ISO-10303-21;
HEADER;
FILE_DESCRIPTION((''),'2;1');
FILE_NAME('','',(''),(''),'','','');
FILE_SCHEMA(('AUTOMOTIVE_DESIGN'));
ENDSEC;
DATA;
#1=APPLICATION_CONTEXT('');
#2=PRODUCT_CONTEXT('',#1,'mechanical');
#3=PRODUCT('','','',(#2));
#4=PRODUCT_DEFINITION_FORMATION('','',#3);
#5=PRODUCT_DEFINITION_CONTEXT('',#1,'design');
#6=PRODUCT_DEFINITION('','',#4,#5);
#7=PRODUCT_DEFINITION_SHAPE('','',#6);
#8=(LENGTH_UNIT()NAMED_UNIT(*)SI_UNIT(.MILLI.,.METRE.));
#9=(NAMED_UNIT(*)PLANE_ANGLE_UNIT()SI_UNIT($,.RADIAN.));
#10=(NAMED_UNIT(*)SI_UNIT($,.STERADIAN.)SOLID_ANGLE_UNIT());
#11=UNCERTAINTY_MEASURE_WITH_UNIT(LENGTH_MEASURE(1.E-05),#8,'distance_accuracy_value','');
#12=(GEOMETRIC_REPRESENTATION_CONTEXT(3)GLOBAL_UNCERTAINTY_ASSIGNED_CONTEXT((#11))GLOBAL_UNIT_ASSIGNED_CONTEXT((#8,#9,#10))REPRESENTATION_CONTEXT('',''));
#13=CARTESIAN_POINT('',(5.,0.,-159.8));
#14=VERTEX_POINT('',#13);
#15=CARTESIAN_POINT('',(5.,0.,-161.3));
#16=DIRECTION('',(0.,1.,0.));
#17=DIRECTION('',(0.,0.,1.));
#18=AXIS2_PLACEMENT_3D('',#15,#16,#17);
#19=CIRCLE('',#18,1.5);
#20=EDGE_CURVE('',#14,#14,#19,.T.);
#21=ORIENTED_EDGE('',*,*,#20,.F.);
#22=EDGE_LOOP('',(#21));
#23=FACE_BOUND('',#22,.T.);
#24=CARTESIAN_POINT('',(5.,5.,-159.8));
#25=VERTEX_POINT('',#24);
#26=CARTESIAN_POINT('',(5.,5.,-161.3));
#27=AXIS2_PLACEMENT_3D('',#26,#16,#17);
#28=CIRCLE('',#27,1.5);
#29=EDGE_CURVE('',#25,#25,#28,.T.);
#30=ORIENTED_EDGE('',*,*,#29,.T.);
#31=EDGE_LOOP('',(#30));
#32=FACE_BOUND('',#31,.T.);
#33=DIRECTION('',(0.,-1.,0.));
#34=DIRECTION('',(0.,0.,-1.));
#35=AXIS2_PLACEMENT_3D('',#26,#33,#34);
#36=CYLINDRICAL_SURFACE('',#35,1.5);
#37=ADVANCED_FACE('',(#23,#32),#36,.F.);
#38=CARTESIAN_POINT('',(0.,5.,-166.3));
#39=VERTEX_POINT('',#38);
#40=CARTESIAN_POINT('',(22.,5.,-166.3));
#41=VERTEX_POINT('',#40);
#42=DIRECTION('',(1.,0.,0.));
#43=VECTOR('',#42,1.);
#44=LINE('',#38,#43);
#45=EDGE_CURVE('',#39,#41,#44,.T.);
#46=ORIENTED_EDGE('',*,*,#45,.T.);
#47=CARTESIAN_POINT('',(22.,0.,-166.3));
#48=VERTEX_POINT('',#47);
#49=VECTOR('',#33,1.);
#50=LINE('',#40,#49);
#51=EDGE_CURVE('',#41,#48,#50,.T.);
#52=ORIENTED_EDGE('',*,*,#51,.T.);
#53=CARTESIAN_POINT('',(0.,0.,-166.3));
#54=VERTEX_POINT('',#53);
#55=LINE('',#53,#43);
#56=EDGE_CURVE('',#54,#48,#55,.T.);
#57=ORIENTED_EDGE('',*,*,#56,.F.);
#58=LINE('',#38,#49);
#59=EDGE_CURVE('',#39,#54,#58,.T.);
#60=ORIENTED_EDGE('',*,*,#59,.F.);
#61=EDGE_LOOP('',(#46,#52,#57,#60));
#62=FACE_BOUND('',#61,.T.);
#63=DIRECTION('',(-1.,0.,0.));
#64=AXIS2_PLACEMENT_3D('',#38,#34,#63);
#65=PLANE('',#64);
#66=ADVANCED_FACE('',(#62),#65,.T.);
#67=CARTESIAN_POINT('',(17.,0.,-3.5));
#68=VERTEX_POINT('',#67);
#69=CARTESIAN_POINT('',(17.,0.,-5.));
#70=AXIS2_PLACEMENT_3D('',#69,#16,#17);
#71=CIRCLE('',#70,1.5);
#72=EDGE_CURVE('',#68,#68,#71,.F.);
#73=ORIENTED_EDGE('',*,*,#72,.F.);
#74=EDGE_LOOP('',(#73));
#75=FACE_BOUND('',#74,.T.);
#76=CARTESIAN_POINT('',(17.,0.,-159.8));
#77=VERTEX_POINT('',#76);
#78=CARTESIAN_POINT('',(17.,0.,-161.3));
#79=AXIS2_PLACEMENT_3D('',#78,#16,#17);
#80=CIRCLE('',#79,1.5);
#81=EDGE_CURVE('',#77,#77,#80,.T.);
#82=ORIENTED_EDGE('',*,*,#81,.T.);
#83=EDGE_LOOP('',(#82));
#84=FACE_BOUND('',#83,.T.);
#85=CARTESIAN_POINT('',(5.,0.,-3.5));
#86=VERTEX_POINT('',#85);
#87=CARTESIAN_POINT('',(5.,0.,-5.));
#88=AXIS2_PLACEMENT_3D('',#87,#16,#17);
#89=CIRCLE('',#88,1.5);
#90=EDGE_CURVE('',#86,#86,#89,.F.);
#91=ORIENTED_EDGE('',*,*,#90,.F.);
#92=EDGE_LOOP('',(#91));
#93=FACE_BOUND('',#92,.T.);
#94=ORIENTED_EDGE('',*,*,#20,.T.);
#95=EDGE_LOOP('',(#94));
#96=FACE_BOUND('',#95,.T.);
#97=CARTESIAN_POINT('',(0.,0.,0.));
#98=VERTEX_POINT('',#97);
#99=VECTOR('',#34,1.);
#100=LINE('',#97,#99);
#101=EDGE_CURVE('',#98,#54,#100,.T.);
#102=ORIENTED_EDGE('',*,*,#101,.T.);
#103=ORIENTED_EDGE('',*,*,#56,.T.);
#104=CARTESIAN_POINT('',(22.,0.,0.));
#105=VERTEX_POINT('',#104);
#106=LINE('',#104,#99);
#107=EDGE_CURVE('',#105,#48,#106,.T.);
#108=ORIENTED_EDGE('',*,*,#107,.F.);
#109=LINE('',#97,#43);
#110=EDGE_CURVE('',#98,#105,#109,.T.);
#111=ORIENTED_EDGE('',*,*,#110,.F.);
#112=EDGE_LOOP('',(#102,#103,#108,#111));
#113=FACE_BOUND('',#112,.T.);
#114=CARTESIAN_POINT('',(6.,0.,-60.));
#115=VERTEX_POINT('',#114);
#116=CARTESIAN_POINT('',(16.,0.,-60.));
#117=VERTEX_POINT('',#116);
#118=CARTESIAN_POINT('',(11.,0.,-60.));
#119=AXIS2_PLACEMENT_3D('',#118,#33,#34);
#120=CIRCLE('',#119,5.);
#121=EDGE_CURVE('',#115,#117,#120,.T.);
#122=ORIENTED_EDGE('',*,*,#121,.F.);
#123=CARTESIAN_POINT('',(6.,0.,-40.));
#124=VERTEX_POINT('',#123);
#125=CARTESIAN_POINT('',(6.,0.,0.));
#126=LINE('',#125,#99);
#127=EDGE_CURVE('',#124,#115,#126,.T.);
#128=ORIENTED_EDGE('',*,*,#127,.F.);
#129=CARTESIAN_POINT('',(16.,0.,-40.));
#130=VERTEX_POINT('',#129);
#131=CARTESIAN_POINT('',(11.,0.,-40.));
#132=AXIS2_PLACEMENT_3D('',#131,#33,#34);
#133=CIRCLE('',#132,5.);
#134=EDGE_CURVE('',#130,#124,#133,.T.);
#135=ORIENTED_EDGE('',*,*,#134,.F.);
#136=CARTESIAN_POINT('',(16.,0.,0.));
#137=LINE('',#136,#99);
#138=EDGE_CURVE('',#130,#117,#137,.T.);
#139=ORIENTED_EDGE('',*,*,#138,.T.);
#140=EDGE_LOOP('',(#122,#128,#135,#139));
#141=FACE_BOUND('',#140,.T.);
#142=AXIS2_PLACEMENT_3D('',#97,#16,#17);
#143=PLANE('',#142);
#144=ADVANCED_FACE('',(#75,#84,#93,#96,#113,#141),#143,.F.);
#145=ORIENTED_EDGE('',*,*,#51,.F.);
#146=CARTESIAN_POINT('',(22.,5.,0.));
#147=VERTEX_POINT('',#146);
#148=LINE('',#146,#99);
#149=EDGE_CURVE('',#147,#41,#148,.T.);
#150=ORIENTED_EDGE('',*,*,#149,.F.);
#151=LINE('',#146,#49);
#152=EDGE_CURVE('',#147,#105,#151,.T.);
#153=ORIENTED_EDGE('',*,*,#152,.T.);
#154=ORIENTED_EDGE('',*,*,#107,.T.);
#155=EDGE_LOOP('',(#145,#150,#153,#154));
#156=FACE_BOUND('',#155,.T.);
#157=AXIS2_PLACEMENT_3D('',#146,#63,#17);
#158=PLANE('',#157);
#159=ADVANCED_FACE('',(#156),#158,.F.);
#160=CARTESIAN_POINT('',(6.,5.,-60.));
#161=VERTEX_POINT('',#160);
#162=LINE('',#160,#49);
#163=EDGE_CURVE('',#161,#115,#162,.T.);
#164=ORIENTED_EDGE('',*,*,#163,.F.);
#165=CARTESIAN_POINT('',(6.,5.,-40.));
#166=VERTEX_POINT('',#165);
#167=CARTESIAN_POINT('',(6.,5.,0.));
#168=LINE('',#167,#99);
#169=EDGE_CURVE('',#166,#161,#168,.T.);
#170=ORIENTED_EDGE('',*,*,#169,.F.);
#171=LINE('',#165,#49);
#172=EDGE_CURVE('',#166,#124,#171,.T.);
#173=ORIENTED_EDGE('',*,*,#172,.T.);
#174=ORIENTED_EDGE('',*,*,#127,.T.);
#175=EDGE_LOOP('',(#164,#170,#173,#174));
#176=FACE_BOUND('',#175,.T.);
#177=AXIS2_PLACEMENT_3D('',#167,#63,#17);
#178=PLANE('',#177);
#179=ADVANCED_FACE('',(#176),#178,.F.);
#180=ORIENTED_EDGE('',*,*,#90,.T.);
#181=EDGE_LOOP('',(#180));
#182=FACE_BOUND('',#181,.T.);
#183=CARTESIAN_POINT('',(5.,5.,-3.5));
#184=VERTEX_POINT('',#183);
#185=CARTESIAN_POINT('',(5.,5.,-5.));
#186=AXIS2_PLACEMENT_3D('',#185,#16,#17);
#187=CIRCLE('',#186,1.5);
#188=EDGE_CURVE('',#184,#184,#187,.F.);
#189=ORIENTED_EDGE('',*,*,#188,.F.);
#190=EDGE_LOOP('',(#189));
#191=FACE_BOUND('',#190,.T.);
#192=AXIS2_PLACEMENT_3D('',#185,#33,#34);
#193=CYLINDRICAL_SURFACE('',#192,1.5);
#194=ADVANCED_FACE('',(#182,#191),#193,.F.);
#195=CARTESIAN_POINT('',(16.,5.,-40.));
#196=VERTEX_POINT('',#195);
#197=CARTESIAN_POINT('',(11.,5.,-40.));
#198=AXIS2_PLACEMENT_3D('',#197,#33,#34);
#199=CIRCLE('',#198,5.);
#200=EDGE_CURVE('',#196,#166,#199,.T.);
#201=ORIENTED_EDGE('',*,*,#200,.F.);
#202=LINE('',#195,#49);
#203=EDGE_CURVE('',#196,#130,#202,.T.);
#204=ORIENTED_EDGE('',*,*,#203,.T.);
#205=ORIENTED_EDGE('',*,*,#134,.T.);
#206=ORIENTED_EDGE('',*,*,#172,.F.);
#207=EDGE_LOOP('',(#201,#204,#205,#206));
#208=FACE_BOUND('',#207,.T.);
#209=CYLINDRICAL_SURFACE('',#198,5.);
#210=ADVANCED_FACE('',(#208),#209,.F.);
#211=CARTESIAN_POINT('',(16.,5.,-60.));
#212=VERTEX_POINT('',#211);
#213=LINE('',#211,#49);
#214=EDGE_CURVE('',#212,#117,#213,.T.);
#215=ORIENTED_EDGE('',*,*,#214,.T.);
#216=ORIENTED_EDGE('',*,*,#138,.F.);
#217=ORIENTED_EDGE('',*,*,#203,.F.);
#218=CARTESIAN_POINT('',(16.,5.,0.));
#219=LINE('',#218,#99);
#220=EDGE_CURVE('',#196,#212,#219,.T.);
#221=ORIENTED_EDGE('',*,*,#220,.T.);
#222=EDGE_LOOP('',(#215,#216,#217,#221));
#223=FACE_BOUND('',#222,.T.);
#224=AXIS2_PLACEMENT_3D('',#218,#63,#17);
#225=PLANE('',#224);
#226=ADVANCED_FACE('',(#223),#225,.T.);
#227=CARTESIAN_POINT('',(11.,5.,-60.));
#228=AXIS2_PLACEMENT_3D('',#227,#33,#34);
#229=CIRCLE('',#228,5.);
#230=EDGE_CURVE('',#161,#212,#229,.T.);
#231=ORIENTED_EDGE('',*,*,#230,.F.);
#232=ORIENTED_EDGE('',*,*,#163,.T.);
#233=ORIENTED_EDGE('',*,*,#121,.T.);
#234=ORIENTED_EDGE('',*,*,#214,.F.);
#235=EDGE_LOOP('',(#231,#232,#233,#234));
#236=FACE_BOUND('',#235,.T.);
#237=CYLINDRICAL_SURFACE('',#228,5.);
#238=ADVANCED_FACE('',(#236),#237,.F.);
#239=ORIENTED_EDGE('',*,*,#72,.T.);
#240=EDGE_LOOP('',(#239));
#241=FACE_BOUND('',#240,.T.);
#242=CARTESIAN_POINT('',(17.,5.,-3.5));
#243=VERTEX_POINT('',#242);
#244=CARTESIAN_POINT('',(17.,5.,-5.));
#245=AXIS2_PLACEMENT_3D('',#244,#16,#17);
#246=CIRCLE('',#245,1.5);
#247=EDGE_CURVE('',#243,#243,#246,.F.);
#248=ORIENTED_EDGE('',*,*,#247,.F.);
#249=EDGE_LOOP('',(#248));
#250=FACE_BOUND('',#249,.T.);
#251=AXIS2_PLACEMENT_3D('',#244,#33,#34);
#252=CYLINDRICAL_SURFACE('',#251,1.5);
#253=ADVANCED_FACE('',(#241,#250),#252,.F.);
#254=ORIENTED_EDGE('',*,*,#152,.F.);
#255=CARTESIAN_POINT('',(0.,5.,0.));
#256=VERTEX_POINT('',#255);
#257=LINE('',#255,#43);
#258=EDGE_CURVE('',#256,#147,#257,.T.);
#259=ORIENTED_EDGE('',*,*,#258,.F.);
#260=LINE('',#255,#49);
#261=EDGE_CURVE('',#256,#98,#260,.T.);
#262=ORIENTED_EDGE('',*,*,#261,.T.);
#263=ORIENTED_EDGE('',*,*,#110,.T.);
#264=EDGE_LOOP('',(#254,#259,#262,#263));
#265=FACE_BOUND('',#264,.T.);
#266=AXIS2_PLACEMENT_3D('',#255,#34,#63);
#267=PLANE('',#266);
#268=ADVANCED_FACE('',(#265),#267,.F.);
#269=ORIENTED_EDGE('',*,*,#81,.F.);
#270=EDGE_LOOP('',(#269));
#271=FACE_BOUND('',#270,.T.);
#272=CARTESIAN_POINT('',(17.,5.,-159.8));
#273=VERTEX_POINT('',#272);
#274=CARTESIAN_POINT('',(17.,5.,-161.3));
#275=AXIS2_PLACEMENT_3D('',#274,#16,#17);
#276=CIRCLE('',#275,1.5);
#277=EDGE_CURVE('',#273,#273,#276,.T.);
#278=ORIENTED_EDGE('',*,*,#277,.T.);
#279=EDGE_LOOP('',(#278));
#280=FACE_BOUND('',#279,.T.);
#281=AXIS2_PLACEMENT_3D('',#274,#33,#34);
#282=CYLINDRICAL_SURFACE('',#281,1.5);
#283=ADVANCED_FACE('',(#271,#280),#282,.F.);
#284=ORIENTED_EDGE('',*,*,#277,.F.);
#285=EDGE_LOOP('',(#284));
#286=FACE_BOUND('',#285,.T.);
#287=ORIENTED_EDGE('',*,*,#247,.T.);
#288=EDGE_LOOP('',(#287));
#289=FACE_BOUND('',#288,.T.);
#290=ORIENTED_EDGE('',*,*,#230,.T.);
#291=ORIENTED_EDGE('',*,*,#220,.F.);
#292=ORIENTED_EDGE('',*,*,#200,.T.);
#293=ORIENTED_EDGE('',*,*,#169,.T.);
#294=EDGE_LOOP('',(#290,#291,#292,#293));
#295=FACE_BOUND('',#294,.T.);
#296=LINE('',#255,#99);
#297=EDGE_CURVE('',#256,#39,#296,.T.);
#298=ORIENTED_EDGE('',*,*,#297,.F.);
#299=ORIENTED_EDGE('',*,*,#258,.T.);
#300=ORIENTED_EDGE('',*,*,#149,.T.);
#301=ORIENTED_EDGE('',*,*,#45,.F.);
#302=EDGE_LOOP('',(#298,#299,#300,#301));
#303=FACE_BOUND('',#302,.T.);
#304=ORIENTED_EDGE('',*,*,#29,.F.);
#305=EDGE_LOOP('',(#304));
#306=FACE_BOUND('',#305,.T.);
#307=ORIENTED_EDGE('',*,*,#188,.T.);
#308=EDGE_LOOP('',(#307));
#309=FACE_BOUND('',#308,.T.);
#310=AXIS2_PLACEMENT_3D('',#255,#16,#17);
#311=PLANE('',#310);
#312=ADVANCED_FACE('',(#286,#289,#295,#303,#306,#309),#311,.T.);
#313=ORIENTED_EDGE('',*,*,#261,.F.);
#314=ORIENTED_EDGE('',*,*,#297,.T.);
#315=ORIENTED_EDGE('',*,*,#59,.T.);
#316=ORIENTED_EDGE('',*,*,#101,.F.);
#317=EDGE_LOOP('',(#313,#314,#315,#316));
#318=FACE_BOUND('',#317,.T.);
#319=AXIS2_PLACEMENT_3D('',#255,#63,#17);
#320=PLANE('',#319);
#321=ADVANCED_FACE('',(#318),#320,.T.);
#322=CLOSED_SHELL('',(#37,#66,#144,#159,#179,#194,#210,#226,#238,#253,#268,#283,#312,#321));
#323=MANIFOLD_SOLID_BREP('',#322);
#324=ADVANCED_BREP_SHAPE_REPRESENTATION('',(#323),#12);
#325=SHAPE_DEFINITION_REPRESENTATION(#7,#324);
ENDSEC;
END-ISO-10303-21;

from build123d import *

# Parameters (mm, degrees)
SKETCH1_W           = 22
SKETCH1_H           = 166.3
SKETCH1_R           = 1.5
BOSS_EXTRUDE1_DEPTH = 5
CUT_EXTRUDE1_DEPTH  = 5


with BuildPart() as part:
    # Sketch1 → Boss-Extrude1 (new body)
    with BuildSketch(Plane(origin=(0, 0, 0), x_dir=(1, 0, 0), z_dir=(0, 1, 0))):
        with Locations((11, 83.15)):
            Rectangle(SKETCH1_W, SKETCH1_H)
        with Locations(Location((5, 161.3, 0), (0, 0, 270))):
            Circle(SKETCH1_R, mode=Mode.SUBTRACT)
        with Locations(Location((17, 161.3, 0), (0, 0, 270))):
            Circle(SKETCH1_R, mode=Mode.SUBTRACT)
        with Locations(Location((17, 5, 0), (0, 0, 270))):
            Circle(SKETCH1_R, mode=Mode.SUBTRACT)
        with Locations(Location((5, 5, 0), (0, 0, 270))):
            Circle(SKETCH1_R, mode=Mode.SUBTRACT)
    extrude(amount=BOSS_EXTRUDE1_DEPTH)

    # Sketch2 → Cut-Extrude1 (cut)
    with BuildSketch(Plane(origin=(0, 0, 0), x_dir=(-1, 0, 0), z_dir=(0, -1, 0))):
        with BuildLine():
            Line((-16, 40), (-16, 60))
            ThreePointArc((-16, 60), (-11, 65), (-6, 60))
            Line((-6, 60), (-6, 40))
            ThreePointArc((-6, 40), (-11, 35), (-16, 40))
        make_face()
    extrude(amount=-CUT_EXTRUDE1_DEPTH, mode=Mode.SUBTRACT)


solid = part.part
